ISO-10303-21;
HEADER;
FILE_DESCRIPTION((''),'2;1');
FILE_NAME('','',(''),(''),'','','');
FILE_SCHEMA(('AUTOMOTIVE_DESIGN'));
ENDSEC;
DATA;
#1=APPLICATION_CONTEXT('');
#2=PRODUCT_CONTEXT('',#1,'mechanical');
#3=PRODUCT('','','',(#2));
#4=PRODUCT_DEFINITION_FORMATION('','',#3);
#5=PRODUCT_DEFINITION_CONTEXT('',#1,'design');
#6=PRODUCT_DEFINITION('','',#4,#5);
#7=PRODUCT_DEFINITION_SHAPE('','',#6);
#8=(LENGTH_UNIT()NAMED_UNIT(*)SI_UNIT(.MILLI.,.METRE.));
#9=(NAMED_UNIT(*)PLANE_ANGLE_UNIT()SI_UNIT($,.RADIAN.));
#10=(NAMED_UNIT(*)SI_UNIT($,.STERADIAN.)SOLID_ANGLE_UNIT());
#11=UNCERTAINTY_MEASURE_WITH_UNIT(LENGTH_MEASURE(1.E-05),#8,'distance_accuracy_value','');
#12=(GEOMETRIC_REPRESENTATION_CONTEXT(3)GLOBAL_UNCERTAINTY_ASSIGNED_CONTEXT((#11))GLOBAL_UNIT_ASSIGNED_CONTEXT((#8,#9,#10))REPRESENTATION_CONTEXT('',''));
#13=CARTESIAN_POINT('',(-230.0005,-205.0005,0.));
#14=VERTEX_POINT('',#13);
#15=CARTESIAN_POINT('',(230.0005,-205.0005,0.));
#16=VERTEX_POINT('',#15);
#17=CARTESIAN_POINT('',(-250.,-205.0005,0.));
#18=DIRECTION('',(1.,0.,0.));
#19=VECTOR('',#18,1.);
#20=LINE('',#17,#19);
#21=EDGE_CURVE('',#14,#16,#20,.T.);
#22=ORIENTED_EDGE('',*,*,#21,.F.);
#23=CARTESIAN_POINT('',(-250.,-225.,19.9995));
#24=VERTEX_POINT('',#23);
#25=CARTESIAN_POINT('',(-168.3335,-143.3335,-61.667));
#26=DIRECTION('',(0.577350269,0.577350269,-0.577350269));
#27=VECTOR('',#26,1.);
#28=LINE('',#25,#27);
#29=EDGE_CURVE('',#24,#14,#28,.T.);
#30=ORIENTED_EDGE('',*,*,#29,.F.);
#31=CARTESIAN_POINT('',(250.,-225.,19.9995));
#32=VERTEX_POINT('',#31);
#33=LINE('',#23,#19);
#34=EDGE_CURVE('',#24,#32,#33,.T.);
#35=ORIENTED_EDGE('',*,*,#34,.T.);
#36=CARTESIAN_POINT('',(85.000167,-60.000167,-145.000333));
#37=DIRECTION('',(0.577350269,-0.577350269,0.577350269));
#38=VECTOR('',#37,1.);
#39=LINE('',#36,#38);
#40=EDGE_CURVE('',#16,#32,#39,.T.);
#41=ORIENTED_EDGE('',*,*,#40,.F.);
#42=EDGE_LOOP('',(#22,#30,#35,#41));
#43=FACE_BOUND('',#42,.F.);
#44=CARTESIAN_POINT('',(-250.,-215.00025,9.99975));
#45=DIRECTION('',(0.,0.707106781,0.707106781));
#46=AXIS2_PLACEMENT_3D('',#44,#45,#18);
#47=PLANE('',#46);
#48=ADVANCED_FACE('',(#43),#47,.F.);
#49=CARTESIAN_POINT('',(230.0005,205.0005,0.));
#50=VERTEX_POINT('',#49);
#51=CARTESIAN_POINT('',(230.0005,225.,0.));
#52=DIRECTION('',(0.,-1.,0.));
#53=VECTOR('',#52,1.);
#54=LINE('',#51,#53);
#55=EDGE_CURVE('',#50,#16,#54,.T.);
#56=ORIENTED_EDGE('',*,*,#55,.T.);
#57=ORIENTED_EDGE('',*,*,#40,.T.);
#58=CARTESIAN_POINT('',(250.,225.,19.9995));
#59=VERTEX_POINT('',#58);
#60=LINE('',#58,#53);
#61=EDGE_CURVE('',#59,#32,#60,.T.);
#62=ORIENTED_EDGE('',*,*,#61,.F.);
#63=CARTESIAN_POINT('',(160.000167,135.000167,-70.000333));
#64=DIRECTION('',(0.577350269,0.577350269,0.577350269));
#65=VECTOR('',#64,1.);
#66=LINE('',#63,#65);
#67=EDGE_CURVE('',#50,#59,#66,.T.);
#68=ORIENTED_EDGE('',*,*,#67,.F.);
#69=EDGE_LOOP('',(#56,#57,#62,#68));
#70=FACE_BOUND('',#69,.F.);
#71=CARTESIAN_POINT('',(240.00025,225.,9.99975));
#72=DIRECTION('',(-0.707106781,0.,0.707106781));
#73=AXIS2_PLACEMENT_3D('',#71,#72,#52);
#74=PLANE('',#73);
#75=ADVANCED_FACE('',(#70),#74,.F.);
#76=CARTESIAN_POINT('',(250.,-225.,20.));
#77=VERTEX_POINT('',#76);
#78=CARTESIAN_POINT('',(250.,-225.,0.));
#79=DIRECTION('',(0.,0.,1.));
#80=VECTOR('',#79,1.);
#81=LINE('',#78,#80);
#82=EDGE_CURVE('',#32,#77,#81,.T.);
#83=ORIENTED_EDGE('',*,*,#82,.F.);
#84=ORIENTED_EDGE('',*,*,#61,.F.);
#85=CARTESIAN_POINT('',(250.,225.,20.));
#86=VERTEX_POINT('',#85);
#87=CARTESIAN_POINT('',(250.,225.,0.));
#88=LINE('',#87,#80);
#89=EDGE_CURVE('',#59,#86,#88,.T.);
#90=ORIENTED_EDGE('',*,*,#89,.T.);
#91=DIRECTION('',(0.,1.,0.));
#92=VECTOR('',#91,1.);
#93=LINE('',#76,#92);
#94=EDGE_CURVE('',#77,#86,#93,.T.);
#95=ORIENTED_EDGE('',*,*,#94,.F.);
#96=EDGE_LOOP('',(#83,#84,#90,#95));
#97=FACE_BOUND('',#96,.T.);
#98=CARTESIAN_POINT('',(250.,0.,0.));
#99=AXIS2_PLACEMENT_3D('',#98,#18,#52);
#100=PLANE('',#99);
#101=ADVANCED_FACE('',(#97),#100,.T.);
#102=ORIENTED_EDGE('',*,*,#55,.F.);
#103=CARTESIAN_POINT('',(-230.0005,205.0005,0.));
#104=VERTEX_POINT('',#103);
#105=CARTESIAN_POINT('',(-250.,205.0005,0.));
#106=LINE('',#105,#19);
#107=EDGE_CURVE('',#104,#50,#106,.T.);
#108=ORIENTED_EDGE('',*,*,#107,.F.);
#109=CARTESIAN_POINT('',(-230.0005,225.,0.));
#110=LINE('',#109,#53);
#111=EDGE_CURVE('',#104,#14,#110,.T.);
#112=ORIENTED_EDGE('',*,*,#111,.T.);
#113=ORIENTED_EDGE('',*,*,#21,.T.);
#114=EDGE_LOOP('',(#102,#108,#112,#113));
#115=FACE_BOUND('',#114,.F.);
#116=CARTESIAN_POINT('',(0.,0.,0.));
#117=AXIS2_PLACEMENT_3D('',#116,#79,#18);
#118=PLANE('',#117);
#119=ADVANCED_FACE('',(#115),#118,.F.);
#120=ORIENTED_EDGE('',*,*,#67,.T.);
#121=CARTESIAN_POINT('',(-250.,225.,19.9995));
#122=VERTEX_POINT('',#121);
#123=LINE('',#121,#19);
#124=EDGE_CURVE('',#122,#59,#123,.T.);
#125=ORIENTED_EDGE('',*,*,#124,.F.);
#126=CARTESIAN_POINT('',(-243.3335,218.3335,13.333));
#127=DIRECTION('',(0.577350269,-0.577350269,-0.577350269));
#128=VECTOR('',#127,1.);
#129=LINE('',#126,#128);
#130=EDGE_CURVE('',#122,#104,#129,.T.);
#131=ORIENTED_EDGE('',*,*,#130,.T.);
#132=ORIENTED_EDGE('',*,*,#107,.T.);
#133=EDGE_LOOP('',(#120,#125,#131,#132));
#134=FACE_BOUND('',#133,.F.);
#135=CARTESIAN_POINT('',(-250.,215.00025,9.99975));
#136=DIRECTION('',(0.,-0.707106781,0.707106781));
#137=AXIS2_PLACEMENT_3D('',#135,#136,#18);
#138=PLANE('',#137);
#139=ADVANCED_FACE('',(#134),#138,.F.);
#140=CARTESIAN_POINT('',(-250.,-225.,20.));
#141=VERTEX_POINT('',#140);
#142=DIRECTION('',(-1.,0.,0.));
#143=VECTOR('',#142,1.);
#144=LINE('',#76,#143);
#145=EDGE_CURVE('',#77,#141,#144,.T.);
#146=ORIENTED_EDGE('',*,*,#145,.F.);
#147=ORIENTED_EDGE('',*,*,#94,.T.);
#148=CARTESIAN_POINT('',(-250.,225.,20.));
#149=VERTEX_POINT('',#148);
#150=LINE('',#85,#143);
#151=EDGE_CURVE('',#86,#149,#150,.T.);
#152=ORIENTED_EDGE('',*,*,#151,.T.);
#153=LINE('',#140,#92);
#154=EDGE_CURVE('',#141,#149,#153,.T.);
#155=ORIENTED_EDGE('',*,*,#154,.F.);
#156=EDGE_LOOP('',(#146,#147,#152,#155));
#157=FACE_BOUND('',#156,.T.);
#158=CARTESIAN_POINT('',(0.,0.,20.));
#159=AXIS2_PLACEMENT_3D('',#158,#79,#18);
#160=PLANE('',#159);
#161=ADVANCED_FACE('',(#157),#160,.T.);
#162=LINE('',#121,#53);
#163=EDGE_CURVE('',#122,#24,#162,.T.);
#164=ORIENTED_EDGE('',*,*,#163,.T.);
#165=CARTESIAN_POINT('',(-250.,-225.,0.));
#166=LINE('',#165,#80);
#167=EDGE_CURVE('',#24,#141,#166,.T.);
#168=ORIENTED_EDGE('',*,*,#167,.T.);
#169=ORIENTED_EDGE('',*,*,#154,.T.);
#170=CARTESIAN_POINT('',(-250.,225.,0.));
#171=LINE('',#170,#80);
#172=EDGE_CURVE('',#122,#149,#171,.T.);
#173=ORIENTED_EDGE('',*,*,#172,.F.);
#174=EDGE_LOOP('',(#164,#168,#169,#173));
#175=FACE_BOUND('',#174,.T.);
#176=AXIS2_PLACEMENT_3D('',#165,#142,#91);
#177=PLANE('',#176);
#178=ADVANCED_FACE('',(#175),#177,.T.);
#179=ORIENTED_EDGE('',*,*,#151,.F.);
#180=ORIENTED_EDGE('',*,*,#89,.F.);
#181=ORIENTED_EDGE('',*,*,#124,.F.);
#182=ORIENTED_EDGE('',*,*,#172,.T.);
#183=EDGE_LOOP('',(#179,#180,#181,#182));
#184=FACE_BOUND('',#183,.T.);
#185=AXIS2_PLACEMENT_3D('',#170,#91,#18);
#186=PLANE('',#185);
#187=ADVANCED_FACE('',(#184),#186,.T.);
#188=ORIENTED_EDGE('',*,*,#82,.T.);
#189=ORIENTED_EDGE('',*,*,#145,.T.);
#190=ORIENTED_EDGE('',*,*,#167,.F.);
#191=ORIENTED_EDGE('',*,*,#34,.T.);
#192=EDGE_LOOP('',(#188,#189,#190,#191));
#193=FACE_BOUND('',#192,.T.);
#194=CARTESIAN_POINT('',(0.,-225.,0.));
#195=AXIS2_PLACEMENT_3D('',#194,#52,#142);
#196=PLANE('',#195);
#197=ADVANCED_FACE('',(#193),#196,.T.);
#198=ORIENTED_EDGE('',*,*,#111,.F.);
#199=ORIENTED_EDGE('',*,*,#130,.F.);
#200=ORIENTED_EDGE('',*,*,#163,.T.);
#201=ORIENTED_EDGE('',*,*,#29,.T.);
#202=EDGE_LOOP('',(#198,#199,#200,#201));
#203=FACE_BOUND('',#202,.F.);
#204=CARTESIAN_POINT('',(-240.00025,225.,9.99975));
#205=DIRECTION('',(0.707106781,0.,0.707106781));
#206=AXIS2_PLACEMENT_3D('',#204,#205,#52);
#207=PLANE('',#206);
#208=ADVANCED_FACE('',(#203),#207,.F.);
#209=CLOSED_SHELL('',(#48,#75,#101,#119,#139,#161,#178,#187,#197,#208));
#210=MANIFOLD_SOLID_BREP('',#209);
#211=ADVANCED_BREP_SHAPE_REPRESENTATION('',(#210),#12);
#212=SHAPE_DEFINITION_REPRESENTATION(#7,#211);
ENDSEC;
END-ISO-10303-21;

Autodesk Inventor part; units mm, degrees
ref_plane "YZ Plane" through (0, 0, 0) normal (1, 0, 0) x (0, 1, 0)
ref_plane "XZ Plane" through (0, 0, 0) normal (0, 1, 0) x (-1, 0, 0)
ref_plane "XY Plane" through (0, 0, 0) normal (0, 0, 1) x (1, 0, 0)
sketch "Skizze1" plane through (0, 0, 0) normal (0, 0, 1) x (1, 0, 0)
  line L0 (0, -315) -> (0, 315) projected
  line L1 (-350, 0) -> (350, 0) projected
  line L2 (-250, 225) -> (250, 225)
  line L3 (250, 225) -> (250, -225)
  line L4 (250, -225) -> (-250, -225)
  line L5 (-250, -225) -> (-250, 225)
  point P0 (0, 0)
  dimension "d0" = 500
  dimension "d1" = 450
extrude "Extrusion1" add sketch "Skizze1" along normal blind 20
chamfer "Fase1" distance 20 angle 45 4 edges at (-250, 0, 0) (0, 225, 0) (250, 0, 0) (0, -225, 0)
properties part number "Wand1"
